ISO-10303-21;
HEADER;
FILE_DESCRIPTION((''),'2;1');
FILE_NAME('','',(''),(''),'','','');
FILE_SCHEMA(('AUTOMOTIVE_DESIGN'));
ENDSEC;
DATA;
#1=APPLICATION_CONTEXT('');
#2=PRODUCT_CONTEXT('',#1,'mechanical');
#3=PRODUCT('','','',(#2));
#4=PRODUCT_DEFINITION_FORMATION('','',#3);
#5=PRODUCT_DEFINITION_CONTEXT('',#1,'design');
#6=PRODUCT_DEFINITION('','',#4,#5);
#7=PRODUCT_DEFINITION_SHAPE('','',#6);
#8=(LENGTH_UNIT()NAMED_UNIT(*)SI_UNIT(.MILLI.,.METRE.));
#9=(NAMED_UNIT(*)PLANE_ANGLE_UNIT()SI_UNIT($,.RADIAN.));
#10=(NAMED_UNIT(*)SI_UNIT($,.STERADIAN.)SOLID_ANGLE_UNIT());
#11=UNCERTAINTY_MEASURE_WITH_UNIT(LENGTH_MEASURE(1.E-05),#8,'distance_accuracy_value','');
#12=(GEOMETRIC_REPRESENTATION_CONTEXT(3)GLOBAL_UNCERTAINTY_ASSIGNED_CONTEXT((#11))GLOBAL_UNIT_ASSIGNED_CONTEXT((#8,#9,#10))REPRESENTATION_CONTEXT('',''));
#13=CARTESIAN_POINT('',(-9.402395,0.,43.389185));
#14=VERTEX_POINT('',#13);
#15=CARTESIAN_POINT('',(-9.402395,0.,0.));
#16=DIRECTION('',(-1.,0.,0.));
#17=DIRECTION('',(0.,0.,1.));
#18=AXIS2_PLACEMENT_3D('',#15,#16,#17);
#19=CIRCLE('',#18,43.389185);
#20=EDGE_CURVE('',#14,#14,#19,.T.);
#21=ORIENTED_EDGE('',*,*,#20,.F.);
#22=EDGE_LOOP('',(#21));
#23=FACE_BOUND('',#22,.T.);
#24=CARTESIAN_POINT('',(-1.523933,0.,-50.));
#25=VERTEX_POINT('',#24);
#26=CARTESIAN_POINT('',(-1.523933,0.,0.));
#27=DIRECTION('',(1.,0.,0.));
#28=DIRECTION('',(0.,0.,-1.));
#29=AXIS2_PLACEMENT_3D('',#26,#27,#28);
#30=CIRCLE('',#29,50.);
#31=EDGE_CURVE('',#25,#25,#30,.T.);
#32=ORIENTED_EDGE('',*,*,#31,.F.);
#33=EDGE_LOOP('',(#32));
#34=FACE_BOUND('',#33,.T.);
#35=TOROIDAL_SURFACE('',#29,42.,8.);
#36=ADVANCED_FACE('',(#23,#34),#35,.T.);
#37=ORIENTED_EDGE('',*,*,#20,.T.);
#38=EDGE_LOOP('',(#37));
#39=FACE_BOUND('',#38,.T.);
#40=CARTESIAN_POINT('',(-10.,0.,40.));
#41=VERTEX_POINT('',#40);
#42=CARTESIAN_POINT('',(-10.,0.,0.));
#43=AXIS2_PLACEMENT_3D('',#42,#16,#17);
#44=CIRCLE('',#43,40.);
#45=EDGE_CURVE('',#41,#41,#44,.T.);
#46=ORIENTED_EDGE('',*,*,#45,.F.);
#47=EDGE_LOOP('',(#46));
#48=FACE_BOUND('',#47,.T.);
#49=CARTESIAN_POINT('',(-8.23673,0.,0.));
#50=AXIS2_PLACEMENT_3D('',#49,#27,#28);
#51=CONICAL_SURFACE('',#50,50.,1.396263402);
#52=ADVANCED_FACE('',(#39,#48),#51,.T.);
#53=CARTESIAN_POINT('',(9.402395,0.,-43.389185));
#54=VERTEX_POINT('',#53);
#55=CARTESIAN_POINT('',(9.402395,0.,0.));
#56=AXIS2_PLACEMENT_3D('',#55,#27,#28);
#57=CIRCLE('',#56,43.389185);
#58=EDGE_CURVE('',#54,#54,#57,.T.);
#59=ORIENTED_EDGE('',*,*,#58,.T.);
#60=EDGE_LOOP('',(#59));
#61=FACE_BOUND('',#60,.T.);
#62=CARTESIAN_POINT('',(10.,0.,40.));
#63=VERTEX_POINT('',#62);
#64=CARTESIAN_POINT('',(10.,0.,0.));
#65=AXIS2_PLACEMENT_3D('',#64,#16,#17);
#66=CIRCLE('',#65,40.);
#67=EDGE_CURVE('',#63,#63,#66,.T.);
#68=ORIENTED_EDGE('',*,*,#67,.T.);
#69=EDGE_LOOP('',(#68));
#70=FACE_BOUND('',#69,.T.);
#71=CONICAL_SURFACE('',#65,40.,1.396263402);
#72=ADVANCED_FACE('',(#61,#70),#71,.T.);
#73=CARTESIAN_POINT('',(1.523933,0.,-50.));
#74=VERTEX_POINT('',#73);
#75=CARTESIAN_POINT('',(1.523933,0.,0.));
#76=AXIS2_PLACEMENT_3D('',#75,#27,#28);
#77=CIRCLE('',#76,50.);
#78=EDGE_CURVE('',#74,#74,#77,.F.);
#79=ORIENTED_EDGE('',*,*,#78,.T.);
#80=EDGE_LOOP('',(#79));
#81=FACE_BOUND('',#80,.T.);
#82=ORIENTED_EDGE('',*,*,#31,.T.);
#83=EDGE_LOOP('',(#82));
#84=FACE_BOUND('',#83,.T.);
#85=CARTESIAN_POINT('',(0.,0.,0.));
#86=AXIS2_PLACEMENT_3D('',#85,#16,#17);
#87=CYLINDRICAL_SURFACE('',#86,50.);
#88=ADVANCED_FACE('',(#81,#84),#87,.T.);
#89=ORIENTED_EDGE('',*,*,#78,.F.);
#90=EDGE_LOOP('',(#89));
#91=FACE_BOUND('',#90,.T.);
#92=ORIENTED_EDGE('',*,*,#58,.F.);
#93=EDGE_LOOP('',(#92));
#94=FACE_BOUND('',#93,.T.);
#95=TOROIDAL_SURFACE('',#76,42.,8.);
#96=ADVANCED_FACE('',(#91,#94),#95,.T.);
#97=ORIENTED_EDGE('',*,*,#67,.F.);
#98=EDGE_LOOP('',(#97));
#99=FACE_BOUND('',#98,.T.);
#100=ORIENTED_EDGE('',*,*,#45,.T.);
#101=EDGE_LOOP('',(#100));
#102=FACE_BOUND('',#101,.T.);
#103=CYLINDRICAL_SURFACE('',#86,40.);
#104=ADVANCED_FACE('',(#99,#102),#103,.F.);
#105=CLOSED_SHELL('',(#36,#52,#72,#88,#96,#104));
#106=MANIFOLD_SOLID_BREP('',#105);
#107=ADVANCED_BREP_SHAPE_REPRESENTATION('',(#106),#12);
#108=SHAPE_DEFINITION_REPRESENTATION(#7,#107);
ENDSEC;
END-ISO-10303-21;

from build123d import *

# Parameters (mm, degrees)
FILLET1_R = 8


with BuildPart() as part:
    # Sketch2 → Revolve2 (revolve)
    with BuildSketch(Plane.XY, mode=Mode.PRIVATE) as revolve2_sk:
        Polygon((-8.236730193, 50), (8.236730193, 50), (10, 40), (-10, 40), align=None)
    revolve(revolve2_sk.sketch.rotate(Axis((0, 0, 0), (1, 0, 0)), 90), axis=Axis((0, 0, 0), (1, 0, 0)))

    # Fillet1
    fillet1_edges = [part.edges().sort_by_distance(p)[0] for p in [
        (-8.236730193, 0, -50),
        (8.236730193, 0, -50),
    ]]
    fillet(fillet1_edges, radius=FILLET1_R)


solid = part.part
